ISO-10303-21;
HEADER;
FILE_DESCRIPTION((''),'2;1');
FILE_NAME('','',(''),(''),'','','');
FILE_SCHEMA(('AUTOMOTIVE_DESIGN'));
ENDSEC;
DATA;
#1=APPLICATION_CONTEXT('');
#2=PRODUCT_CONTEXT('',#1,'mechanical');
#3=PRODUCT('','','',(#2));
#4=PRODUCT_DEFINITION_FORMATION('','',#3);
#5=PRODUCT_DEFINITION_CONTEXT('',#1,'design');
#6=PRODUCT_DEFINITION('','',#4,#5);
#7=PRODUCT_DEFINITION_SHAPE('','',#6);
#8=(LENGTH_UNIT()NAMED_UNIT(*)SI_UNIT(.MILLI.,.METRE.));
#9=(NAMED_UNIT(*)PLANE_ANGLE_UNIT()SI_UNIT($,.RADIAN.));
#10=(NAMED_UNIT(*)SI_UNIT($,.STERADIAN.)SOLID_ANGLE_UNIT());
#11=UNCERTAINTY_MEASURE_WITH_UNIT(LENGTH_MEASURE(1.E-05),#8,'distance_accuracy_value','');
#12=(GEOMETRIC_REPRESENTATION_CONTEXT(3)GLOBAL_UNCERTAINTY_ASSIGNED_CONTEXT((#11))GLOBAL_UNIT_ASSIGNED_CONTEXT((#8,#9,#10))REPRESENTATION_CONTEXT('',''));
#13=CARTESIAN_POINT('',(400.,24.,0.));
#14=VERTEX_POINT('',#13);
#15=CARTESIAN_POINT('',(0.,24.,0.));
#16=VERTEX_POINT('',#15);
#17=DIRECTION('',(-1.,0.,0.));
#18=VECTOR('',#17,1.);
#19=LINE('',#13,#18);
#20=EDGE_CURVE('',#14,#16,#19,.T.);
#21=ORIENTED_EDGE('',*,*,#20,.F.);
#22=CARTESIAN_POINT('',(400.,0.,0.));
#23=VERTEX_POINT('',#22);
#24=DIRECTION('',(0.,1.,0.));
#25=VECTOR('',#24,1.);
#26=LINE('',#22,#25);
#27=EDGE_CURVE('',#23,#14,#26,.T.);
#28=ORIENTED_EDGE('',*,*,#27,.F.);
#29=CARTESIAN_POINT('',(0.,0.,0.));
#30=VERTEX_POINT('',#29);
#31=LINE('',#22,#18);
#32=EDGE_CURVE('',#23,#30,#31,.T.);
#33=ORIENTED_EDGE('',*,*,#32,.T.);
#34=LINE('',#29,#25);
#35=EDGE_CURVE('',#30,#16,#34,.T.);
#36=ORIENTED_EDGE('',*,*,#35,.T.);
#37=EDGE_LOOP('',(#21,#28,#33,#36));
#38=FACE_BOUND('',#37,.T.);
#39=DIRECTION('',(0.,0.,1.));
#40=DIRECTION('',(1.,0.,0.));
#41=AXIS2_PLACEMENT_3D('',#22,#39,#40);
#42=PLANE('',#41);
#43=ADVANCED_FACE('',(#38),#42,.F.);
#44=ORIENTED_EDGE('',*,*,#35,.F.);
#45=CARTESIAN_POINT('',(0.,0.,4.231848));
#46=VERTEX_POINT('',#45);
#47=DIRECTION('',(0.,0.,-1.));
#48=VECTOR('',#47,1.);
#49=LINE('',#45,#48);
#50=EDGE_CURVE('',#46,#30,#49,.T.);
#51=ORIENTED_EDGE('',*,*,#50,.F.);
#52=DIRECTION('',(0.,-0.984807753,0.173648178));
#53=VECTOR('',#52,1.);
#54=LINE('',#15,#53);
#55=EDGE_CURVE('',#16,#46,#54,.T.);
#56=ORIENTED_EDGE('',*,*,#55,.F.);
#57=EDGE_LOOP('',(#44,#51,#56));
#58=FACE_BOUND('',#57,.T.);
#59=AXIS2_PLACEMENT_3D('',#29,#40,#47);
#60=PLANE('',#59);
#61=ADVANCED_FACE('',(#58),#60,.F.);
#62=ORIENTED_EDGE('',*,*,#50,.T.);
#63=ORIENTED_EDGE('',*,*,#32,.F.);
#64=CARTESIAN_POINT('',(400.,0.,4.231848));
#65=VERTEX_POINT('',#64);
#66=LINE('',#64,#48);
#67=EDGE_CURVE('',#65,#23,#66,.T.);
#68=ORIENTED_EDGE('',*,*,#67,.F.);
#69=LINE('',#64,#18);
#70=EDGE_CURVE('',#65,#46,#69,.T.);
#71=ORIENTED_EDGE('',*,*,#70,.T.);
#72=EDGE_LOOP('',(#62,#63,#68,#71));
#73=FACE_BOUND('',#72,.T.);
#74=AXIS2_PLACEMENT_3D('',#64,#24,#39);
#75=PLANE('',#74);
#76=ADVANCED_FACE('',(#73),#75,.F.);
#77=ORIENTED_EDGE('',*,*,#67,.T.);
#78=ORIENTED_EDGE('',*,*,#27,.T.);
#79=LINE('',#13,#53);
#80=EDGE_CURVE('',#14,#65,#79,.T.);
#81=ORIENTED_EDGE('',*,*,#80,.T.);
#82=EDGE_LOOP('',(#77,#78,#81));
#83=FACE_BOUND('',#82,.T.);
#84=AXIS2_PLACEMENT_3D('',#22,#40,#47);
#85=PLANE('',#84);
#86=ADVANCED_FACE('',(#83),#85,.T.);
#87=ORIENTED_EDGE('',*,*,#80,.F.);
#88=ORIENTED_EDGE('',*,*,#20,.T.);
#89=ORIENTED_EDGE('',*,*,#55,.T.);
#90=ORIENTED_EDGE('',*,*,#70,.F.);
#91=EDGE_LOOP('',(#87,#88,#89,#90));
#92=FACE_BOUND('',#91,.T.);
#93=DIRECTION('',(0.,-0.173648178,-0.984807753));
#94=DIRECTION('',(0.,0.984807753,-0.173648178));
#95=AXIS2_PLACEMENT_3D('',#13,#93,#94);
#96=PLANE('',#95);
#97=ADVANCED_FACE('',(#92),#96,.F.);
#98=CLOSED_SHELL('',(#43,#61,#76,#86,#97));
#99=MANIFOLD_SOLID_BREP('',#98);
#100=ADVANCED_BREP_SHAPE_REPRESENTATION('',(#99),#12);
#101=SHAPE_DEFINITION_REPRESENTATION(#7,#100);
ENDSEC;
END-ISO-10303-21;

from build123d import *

# Parameters (mm, degrees)
BOSS_EXTRUDE1_DEPTH = 400


with BuildPart() as part:
    # Sketch1 → Boss-Extrude1 (new body)
    with BuildSketch(Plane(origin=(0, 0, 0), x_dir=(0, 0, -1), z_dir=(1, 0, 0))):
        Polygon((0, 0), (0, 24), (-4.231847537, 0), align=None)
    extrude(amount=BOSS_EXTRUDE1_DEPTH)


solid = part.part
